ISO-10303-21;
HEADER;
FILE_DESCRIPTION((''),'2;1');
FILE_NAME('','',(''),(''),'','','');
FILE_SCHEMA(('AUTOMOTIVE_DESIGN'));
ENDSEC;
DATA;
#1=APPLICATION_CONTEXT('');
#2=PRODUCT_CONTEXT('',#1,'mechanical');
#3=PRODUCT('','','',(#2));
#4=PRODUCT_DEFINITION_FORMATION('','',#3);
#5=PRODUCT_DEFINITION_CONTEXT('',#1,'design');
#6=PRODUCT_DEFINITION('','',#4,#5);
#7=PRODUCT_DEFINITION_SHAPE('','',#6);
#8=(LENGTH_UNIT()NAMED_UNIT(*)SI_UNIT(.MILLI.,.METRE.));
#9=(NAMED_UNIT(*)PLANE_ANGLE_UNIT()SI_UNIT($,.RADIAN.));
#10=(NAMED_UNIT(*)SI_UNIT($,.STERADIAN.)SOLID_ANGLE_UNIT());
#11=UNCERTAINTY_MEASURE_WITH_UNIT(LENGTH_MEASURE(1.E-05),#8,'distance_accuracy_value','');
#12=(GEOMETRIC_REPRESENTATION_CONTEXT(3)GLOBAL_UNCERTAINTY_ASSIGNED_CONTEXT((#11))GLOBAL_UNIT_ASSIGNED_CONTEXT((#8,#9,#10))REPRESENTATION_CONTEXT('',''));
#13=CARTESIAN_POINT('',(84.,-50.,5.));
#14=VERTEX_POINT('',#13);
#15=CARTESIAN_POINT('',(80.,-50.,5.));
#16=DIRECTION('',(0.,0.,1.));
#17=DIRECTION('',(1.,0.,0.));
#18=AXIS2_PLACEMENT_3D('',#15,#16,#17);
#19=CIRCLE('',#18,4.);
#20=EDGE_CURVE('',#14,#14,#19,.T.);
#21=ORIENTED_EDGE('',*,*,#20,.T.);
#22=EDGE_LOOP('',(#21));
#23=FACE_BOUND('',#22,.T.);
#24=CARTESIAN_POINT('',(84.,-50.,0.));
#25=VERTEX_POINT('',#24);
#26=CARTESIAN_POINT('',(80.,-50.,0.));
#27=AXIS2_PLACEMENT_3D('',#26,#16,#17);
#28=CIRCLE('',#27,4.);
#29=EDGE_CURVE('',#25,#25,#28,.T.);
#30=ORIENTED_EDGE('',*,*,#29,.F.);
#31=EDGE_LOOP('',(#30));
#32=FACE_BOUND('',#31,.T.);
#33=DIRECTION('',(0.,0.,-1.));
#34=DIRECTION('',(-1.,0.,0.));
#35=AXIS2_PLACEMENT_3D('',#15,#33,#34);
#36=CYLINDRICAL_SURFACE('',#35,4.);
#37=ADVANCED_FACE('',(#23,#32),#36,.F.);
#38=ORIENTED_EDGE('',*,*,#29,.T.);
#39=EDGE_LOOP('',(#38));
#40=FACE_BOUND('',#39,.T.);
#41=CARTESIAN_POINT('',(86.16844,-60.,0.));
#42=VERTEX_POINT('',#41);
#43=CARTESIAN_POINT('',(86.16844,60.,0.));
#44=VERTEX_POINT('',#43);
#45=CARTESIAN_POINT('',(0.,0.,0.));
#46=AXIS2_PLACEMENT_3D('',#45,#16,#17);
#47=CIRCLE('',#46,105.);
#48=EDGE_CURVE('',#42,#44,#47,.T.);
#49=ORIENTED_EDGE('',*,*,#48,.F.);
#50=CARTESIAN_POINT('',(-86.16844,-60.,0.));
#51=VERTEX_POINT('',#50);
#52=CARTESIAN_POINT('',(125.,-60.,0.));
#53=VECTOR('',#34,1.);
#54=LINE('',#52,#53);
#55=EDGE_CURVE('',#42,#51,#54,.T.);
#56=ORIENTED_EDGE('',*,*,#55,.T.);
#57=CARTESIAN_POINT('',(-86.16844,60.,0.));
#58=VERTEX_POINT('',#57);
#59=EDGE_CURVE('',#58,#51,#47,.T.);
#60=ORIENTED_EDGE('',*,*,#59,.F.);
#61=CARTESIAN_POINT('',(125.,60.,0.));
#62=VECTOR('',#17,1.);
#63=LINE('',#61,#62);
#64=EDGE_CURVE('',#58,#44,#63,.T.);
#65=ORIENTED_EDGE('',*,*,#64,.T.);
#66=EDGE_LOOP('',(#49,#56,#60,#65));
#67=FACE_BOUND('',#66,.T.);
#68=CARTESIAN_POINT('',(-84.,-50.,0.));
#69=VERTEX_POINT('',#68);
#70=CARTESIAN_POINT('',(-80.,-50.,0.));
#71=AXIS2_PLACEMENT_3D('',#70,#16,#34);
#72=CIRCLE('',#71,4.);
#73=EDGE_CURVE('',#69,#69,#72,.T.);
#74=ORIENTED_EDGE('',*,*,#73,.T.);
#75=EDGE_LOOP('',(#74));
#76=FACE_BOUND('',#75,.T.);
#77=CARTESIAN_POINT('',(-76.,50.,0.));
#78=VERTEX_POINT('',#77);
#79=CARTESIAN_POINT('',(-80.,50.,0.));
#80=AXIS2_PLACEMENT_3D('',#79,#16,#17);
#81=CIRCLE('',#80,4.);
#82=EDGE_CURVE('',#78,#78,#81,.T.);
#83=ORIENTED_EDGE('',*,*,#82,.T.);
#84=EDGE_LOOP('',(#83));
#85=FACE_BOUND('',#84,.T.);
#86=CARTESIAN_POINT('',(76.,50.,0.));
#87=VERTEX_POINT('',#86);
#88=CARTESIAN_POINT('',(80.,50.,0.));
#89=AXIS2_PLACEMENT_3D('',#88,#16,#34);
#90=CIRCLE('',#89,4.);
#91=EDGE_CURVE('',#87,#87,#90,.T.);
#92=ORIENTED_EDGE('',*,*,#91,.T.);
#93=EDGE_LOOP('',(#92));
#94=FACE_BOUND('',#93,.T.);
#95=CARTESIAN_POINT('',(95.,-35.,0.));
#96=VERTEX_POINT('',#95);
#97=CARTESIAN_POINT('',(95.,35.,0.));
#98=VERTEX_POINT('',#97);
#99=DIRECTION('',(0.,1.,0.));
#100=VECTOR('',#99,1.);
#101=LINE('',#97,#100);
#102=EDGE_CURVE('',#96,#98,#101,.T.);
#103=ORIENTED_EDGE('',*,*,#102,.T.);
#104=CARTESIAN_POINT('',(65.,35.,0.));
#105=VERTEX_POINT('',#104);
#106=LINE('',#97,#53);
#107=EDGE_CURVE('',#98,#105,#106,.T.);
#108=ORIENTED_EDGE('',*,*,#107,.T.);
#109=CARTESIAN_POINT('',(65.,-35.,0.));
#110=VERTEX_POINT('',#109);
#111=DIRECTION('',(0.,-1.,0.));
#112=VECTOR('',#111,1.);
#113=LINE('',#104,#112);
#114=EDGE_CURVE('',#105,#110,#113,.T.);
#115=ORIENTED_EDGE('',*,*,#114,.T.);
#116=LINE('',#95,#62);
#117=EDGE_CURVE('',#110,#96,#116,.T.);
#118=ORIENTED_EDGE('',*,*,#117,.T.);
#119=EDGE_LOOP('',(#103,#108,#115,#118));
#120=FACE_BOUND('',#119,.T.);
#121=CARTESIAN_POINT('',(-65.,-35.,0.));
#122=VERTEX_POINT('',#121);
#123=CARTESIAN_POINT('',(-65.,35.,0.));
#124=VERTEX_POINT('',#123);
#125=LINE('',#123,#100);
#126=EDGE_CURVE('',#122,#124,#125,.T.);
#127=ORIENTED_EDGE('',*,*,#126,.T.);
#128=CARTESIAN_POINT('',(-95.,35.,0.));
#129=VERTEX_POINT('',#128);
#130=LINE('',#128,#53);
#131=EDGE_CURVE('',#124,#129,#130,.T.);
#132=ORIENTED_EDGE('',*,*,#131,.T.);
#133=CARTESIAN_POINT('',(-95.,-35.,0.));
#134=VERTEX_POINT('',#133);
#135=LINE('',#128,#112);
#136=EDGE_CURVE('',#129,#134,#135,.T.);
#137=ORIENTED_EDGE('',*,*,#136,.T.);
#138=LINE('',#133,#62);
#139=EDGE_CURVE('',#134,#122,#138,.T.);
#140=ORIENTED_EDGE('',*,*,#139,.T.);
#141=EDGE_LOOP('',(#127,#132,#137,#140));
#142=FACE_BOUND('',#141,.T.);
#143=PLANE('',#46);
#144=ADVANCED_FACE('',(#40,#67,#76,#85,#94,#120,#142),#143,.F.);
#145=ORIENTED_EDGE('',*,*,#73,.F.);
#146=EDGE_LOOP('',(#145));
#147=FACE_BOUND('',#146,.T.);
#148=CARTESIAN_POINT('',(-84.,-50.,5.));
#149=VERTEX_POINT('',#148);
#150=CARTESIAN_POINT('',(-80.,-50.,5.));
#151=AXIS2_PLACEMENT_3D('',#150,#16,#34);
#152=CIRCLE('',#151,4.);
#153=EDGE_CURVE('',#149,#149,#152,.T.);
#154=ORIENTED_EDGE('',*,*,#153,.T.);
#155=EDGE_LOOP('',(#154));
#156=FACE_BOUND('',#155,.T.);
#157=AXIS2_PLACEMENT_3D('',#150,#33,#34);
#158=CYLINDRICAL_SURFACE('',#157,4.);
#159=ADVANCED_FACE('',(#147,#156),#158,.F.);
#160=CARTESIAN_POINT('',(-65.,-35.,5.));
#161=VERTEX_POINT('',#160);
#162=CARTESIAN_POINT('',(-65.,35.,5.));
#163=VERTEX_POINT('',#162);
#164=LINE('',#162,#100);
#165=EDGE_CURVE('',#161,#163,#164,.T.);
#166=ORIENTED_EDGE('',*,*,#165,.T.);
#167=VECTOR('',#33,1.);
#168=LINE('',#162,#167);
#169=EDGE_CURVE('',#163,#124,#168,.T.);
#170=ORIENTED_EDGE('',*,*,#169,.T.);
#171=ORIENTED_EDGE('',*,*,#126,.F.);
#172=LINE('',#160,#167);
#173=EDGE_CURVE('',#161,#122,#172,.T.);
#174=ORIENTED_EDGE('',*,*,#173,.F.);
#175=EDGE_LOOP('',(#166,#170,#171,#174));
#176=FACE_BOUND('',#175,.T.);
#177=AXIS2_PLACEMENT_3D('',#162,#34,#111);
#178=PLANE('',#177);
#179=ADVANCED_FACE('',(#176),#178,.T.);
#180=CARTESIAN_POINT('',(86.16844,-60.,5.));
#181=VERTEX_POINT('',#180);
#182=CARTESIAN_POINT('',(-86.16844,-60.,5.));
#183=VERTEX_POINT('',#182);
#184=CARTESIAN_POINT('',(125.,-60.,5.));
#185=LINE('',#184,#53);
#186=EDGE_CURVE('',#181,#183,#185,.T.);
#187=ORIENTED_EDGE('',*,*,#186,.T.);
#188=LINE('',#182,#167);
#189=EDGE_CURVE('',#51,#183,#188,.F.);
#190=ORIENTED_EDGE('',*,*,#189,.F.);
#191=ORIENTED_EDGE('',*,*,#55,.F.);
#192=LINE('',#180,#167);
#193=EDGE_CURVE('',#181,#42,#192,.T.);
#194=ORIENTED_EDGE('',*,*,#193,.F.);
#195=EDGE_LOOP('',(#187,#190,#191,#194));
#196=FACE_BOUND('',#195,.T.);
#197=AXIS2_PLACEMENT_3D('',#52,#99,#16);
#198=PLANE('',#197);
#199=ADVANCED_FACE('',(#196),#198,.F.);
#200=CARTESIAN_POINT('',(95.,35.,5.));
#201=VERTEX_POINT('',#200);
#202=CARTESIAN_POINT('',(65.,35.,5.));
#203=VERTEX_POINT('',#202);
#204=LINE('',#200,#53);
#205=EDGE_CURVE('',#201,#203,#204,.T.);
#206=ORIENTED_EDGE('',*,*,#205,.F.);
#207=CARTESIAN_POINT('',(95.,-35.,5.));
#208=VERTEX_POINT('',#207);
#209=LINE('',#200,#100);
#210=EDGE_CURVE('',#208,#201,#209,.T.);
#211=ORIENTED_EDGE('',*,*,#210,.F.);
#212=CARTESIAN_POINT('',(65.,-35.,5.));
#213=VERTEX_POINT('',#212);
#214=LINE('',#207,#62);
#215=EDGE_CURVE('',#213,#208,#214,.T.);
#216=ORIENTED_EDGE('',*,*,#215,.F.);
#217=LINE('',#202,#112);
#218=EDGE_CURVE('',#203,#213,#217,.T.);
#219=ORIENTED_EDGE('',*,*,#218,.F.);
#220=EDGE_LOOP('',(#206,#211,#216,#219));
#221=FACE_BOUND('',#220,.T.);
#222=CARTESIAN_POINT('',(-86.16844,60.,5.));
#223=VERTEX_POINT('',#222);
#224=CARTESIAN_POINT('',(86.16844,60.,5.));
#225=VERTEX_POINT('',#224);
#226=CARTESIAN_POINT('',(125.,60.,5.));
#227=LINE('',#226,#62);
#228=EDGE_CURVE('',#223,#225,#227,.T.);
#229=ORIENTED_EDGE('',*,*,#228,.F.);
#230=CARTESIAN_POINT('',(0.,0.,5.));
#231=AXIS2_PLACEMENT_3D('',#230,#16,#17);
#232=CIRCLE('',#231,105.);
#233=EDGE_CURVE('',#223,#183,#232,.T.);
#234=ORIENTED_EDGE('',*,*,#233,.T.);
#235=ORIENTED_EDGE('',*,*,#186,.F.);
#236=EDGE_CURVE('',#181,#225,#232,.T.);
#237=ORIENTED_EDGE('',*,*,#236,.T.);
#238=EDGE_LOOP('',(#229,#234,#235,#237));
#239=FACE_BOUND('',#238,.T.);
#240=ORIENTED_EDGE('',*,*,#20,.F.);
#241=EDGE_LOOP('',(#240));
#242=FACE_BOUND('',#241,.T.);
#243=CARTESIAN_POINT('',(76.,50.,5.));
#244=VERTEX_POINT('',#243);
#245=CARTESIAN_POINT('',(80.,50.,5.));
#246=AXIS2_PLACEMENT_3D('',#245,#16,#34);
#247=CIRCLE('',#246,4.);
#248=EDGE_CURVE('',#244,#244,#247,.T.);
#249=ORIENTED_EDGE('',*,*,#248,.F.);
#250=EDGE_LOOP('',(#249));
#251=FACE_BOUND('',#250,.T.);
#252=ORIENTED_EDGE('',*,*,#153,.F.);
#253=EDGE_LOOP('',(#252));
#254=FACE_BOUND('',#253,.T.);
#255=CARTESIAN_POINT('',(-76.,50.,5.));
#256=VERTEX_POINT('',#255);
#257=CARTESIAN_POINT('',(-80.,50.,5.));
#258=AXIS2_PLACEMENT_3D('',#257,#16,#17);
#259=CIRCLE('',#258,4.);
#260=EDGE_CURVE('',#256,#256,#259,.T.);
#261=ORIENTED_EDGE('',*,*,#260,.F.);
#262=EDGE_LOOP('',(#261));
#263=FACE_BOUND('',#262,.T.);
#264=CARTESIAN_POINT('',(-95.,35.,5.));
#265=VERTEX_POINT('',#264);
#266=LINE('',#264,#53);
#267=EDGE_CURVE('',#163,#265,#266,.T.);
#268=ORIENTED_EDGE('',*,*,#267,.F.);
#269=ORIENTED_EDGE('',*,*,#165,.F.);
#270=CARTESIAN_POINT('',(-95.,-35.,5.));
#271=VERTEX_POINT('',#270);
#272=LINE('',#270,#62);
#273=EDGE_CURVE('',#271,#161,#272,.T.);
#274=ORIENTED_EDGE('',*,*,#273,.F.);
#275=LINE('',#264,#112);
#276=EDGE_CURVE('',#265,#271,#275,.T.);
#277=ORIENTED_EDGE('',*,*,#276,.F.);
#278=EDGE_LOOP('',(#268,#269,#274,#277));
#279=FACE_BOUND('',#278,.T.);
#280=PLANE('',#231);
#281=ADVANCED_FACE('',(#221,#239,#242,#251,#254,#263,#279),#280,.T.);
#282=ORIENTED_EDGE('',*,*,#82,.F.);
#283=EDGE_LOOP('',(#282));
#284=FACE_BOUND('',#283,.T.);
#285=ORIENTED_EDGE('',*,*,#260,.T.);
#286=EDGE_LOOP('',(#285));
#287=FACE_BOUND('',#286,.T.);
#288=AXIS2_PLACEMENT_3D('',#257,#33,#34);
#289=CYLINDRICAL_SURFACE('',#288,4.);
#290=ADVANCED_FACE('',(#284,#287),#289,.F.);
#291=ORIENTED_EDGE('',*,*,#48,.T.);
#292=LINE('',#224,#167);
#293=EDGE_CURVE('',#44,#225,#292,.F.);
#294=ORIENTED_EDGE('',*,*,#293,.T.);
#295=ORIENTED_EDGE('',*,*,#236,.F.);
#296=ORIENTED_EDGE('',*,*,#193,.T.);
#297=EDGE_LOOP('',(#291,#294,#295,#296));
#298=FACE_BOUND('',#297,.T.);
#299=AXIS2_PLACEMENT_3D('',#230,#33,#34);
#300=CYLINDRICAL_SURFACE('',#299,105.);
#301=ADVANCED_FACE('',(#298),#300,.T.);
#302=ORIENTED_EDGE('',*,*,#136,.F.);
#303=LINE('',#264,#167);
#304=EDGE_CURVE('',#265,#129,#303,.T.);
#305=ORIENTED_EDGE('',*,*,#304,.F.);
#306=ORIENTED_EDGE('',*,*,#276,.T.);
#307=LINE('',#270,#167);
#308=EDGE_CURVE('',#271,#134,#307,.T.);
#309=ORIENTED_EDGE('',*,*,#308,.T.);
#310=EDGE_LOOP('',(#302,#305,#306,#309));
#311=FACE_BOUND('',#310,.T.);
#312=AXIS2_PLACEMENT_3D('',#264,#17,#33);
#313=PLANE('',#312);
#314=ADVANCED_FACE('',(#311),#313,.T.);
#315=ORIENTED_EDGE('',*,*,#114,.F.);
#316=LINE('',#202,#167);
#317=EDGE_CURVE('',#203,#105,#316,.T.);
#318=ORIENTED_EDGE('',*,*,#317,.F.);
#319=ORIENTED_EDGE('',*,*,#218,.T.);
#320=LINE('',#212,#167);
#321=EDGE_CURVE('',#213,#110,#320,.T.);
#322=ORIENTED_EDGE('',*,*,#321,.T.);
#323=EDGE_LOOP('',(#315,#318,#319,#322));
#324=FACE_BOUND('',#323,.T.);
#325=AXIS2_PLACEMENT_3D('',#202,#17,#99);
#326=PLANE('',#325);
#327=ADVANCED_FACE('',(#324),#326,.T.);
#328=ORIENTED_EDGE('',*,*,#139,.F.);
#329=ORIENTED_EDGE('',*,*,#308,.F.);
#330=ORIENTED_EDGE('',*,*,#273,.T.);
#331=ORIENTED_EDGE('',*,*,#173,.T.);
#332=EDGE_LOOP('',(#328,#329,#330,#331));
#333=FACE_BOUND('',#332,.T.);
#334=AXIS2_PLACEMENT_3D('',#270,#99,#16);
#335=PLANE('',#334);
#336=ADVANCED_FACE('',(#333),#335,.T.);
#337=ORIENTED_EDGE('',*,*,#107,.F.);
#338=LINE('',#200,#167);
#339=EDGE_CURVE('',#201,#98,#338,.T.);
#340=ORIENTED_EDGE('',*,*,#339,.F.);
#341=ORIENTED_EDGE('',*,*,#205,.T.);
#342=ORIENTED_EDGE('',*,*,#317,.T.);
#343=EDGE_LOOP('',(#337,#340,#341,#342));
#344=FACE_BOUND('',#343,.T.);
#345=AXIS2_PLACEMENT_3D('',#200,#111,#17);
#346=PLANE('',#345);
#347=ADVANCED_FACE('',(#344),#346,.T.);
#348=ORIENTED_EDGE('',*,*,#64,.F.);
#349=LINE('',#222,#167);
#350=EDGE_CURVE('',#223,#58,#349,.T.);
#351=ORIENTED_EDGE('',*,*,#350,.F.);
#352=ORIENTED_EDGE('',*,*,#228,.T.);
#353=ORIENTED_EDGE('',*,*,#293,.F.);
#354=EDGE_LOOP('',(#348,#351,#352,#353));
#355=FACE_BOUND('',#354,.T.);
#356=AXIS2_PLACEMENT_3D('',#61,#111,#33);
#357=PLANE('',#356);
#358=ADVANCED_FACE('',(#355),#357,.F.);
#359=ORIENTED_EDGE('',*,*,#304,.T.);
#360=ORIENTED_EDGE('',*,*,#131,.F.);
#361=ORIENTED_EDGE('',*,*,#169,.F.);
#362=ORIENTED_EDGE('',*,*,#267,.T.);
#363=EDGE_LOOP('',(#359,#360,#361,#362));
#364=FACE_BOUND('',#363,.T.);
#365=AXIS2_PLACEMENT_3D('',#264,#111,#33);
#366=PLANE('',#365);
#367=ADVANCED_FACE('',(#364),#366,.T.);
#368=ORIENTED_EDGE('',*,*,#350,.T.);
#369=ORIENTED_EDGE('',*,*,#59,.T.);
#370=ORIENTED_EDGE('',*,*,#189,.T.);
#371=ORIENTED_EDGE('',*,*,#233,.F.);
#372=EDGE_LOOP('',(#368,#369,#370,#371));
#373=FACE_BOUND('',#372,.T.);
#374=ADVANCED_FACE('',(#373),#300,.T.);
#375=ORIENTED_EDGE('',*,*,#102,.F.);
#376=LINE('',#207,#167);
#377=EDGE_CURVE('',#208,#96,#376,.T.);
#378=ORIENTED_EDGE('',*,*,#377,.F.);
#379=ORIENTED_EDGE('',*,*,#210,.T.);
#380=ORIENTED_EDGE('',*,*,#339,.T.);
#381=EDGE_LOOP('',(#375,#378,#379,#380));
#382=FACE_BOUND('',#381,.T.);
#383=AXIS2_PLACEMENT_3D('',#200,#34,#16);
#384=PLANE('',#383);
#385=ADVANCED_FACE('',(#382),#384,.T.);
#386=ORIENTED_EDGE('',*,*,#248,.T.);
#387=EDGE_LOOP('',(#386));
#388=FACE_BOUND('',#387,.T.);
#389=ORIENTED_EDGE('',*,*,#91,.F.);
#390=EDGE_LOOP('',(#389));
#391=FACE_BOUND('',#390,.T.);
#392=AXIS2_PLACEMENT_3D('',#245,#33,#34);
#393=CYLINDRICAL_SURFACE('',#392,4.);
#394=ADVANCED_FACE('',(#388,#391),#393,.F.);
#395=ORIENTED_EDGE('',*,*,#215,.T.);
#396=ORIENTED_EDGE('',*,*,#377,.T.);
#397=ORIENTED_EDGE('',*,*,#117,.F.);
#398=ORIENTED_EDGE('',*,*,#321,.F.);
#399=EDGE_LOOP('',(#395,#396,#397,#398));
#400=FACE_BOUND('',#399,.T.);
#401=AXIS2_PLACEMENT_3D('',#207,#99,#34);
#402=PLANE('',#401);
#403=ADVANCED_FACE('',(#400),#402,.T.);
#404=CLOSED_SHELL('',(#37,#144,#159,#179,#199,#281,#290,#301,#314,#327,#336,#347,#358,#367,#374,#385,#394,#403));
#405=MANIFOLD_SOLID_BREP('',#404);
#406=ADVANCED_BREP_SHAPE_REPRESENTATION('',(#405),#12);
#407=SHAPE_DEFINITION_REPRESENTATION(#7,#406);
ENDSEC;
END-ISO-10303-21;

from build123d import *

# Parameters (mm, degrees)
ESQUISSE1_R             = 105
ESQUISSE1_R_2           = 4
ESQUISSE1_W             = 30
ESQUISSE1_H             = 70
BOSS_EXTRU_1_DEPTH      = 5
ESQUISSE2_W             = 250
ESQUISSE2_H             = 50
ENL_V_MAT_EXTRU_1_DEPTH = 149.576579581


with BuildPart() as part:
    # Esquisse1 → Boss.-Extru.1 (new body)
    with BuildSketch(Plane.XY):
        Circle(ESQUISSE1_R)
        with Locations((-80, 50)):
            Circle(ESQUISSE1_R_2, mode=Mode.SUBTRACT)
        with Locations(Location((80, 50, 0), (0, 0, 180))):
            Circle(ESQUISSE1_R_2, mode=Mode.SUBTRACT)
        with Locations((80, -50)):
            Circle(ESQUISSE1_R_2, mode=Mode.SUBTRACT)
        with Locations(Location((-80, -50, 0), (0, 0, 180))):
            Circle(ESQUISSE1_R_2, mode=Mode.SUBTRACT)
        with Locations((-80, 0)):
            Rectangle(ESQUISSE1_W, ESQUISSE1_H, mode=Mode.SUBTRACT)
        with Locations((80, 0)):
            Rectangle(ESQUISSE1_W, ESQUISSE1_H, mode=Mode.SUBTRACT)
    extrude(amount=BOSS_EXTRU_1_DEPTH)

    # Esquisse2 → Enlèv. mat.-Extru.1 (cut, through all)
    with BuildSketch(Plane.XY.offset(5)):
        with Locations((0, 85)):
            Rectangle(ESQUISSE2_W, ESQUISSE2_H)
        with Locations((0, -85)):
            Rectangle(ESQUISSE2_W, ESQUISSE2_H)
    extrude(amount=-ENL_V_MAT_EXTRU_1_DEPTH, mode=Mode.SUBTRACT)


solid = part.part
